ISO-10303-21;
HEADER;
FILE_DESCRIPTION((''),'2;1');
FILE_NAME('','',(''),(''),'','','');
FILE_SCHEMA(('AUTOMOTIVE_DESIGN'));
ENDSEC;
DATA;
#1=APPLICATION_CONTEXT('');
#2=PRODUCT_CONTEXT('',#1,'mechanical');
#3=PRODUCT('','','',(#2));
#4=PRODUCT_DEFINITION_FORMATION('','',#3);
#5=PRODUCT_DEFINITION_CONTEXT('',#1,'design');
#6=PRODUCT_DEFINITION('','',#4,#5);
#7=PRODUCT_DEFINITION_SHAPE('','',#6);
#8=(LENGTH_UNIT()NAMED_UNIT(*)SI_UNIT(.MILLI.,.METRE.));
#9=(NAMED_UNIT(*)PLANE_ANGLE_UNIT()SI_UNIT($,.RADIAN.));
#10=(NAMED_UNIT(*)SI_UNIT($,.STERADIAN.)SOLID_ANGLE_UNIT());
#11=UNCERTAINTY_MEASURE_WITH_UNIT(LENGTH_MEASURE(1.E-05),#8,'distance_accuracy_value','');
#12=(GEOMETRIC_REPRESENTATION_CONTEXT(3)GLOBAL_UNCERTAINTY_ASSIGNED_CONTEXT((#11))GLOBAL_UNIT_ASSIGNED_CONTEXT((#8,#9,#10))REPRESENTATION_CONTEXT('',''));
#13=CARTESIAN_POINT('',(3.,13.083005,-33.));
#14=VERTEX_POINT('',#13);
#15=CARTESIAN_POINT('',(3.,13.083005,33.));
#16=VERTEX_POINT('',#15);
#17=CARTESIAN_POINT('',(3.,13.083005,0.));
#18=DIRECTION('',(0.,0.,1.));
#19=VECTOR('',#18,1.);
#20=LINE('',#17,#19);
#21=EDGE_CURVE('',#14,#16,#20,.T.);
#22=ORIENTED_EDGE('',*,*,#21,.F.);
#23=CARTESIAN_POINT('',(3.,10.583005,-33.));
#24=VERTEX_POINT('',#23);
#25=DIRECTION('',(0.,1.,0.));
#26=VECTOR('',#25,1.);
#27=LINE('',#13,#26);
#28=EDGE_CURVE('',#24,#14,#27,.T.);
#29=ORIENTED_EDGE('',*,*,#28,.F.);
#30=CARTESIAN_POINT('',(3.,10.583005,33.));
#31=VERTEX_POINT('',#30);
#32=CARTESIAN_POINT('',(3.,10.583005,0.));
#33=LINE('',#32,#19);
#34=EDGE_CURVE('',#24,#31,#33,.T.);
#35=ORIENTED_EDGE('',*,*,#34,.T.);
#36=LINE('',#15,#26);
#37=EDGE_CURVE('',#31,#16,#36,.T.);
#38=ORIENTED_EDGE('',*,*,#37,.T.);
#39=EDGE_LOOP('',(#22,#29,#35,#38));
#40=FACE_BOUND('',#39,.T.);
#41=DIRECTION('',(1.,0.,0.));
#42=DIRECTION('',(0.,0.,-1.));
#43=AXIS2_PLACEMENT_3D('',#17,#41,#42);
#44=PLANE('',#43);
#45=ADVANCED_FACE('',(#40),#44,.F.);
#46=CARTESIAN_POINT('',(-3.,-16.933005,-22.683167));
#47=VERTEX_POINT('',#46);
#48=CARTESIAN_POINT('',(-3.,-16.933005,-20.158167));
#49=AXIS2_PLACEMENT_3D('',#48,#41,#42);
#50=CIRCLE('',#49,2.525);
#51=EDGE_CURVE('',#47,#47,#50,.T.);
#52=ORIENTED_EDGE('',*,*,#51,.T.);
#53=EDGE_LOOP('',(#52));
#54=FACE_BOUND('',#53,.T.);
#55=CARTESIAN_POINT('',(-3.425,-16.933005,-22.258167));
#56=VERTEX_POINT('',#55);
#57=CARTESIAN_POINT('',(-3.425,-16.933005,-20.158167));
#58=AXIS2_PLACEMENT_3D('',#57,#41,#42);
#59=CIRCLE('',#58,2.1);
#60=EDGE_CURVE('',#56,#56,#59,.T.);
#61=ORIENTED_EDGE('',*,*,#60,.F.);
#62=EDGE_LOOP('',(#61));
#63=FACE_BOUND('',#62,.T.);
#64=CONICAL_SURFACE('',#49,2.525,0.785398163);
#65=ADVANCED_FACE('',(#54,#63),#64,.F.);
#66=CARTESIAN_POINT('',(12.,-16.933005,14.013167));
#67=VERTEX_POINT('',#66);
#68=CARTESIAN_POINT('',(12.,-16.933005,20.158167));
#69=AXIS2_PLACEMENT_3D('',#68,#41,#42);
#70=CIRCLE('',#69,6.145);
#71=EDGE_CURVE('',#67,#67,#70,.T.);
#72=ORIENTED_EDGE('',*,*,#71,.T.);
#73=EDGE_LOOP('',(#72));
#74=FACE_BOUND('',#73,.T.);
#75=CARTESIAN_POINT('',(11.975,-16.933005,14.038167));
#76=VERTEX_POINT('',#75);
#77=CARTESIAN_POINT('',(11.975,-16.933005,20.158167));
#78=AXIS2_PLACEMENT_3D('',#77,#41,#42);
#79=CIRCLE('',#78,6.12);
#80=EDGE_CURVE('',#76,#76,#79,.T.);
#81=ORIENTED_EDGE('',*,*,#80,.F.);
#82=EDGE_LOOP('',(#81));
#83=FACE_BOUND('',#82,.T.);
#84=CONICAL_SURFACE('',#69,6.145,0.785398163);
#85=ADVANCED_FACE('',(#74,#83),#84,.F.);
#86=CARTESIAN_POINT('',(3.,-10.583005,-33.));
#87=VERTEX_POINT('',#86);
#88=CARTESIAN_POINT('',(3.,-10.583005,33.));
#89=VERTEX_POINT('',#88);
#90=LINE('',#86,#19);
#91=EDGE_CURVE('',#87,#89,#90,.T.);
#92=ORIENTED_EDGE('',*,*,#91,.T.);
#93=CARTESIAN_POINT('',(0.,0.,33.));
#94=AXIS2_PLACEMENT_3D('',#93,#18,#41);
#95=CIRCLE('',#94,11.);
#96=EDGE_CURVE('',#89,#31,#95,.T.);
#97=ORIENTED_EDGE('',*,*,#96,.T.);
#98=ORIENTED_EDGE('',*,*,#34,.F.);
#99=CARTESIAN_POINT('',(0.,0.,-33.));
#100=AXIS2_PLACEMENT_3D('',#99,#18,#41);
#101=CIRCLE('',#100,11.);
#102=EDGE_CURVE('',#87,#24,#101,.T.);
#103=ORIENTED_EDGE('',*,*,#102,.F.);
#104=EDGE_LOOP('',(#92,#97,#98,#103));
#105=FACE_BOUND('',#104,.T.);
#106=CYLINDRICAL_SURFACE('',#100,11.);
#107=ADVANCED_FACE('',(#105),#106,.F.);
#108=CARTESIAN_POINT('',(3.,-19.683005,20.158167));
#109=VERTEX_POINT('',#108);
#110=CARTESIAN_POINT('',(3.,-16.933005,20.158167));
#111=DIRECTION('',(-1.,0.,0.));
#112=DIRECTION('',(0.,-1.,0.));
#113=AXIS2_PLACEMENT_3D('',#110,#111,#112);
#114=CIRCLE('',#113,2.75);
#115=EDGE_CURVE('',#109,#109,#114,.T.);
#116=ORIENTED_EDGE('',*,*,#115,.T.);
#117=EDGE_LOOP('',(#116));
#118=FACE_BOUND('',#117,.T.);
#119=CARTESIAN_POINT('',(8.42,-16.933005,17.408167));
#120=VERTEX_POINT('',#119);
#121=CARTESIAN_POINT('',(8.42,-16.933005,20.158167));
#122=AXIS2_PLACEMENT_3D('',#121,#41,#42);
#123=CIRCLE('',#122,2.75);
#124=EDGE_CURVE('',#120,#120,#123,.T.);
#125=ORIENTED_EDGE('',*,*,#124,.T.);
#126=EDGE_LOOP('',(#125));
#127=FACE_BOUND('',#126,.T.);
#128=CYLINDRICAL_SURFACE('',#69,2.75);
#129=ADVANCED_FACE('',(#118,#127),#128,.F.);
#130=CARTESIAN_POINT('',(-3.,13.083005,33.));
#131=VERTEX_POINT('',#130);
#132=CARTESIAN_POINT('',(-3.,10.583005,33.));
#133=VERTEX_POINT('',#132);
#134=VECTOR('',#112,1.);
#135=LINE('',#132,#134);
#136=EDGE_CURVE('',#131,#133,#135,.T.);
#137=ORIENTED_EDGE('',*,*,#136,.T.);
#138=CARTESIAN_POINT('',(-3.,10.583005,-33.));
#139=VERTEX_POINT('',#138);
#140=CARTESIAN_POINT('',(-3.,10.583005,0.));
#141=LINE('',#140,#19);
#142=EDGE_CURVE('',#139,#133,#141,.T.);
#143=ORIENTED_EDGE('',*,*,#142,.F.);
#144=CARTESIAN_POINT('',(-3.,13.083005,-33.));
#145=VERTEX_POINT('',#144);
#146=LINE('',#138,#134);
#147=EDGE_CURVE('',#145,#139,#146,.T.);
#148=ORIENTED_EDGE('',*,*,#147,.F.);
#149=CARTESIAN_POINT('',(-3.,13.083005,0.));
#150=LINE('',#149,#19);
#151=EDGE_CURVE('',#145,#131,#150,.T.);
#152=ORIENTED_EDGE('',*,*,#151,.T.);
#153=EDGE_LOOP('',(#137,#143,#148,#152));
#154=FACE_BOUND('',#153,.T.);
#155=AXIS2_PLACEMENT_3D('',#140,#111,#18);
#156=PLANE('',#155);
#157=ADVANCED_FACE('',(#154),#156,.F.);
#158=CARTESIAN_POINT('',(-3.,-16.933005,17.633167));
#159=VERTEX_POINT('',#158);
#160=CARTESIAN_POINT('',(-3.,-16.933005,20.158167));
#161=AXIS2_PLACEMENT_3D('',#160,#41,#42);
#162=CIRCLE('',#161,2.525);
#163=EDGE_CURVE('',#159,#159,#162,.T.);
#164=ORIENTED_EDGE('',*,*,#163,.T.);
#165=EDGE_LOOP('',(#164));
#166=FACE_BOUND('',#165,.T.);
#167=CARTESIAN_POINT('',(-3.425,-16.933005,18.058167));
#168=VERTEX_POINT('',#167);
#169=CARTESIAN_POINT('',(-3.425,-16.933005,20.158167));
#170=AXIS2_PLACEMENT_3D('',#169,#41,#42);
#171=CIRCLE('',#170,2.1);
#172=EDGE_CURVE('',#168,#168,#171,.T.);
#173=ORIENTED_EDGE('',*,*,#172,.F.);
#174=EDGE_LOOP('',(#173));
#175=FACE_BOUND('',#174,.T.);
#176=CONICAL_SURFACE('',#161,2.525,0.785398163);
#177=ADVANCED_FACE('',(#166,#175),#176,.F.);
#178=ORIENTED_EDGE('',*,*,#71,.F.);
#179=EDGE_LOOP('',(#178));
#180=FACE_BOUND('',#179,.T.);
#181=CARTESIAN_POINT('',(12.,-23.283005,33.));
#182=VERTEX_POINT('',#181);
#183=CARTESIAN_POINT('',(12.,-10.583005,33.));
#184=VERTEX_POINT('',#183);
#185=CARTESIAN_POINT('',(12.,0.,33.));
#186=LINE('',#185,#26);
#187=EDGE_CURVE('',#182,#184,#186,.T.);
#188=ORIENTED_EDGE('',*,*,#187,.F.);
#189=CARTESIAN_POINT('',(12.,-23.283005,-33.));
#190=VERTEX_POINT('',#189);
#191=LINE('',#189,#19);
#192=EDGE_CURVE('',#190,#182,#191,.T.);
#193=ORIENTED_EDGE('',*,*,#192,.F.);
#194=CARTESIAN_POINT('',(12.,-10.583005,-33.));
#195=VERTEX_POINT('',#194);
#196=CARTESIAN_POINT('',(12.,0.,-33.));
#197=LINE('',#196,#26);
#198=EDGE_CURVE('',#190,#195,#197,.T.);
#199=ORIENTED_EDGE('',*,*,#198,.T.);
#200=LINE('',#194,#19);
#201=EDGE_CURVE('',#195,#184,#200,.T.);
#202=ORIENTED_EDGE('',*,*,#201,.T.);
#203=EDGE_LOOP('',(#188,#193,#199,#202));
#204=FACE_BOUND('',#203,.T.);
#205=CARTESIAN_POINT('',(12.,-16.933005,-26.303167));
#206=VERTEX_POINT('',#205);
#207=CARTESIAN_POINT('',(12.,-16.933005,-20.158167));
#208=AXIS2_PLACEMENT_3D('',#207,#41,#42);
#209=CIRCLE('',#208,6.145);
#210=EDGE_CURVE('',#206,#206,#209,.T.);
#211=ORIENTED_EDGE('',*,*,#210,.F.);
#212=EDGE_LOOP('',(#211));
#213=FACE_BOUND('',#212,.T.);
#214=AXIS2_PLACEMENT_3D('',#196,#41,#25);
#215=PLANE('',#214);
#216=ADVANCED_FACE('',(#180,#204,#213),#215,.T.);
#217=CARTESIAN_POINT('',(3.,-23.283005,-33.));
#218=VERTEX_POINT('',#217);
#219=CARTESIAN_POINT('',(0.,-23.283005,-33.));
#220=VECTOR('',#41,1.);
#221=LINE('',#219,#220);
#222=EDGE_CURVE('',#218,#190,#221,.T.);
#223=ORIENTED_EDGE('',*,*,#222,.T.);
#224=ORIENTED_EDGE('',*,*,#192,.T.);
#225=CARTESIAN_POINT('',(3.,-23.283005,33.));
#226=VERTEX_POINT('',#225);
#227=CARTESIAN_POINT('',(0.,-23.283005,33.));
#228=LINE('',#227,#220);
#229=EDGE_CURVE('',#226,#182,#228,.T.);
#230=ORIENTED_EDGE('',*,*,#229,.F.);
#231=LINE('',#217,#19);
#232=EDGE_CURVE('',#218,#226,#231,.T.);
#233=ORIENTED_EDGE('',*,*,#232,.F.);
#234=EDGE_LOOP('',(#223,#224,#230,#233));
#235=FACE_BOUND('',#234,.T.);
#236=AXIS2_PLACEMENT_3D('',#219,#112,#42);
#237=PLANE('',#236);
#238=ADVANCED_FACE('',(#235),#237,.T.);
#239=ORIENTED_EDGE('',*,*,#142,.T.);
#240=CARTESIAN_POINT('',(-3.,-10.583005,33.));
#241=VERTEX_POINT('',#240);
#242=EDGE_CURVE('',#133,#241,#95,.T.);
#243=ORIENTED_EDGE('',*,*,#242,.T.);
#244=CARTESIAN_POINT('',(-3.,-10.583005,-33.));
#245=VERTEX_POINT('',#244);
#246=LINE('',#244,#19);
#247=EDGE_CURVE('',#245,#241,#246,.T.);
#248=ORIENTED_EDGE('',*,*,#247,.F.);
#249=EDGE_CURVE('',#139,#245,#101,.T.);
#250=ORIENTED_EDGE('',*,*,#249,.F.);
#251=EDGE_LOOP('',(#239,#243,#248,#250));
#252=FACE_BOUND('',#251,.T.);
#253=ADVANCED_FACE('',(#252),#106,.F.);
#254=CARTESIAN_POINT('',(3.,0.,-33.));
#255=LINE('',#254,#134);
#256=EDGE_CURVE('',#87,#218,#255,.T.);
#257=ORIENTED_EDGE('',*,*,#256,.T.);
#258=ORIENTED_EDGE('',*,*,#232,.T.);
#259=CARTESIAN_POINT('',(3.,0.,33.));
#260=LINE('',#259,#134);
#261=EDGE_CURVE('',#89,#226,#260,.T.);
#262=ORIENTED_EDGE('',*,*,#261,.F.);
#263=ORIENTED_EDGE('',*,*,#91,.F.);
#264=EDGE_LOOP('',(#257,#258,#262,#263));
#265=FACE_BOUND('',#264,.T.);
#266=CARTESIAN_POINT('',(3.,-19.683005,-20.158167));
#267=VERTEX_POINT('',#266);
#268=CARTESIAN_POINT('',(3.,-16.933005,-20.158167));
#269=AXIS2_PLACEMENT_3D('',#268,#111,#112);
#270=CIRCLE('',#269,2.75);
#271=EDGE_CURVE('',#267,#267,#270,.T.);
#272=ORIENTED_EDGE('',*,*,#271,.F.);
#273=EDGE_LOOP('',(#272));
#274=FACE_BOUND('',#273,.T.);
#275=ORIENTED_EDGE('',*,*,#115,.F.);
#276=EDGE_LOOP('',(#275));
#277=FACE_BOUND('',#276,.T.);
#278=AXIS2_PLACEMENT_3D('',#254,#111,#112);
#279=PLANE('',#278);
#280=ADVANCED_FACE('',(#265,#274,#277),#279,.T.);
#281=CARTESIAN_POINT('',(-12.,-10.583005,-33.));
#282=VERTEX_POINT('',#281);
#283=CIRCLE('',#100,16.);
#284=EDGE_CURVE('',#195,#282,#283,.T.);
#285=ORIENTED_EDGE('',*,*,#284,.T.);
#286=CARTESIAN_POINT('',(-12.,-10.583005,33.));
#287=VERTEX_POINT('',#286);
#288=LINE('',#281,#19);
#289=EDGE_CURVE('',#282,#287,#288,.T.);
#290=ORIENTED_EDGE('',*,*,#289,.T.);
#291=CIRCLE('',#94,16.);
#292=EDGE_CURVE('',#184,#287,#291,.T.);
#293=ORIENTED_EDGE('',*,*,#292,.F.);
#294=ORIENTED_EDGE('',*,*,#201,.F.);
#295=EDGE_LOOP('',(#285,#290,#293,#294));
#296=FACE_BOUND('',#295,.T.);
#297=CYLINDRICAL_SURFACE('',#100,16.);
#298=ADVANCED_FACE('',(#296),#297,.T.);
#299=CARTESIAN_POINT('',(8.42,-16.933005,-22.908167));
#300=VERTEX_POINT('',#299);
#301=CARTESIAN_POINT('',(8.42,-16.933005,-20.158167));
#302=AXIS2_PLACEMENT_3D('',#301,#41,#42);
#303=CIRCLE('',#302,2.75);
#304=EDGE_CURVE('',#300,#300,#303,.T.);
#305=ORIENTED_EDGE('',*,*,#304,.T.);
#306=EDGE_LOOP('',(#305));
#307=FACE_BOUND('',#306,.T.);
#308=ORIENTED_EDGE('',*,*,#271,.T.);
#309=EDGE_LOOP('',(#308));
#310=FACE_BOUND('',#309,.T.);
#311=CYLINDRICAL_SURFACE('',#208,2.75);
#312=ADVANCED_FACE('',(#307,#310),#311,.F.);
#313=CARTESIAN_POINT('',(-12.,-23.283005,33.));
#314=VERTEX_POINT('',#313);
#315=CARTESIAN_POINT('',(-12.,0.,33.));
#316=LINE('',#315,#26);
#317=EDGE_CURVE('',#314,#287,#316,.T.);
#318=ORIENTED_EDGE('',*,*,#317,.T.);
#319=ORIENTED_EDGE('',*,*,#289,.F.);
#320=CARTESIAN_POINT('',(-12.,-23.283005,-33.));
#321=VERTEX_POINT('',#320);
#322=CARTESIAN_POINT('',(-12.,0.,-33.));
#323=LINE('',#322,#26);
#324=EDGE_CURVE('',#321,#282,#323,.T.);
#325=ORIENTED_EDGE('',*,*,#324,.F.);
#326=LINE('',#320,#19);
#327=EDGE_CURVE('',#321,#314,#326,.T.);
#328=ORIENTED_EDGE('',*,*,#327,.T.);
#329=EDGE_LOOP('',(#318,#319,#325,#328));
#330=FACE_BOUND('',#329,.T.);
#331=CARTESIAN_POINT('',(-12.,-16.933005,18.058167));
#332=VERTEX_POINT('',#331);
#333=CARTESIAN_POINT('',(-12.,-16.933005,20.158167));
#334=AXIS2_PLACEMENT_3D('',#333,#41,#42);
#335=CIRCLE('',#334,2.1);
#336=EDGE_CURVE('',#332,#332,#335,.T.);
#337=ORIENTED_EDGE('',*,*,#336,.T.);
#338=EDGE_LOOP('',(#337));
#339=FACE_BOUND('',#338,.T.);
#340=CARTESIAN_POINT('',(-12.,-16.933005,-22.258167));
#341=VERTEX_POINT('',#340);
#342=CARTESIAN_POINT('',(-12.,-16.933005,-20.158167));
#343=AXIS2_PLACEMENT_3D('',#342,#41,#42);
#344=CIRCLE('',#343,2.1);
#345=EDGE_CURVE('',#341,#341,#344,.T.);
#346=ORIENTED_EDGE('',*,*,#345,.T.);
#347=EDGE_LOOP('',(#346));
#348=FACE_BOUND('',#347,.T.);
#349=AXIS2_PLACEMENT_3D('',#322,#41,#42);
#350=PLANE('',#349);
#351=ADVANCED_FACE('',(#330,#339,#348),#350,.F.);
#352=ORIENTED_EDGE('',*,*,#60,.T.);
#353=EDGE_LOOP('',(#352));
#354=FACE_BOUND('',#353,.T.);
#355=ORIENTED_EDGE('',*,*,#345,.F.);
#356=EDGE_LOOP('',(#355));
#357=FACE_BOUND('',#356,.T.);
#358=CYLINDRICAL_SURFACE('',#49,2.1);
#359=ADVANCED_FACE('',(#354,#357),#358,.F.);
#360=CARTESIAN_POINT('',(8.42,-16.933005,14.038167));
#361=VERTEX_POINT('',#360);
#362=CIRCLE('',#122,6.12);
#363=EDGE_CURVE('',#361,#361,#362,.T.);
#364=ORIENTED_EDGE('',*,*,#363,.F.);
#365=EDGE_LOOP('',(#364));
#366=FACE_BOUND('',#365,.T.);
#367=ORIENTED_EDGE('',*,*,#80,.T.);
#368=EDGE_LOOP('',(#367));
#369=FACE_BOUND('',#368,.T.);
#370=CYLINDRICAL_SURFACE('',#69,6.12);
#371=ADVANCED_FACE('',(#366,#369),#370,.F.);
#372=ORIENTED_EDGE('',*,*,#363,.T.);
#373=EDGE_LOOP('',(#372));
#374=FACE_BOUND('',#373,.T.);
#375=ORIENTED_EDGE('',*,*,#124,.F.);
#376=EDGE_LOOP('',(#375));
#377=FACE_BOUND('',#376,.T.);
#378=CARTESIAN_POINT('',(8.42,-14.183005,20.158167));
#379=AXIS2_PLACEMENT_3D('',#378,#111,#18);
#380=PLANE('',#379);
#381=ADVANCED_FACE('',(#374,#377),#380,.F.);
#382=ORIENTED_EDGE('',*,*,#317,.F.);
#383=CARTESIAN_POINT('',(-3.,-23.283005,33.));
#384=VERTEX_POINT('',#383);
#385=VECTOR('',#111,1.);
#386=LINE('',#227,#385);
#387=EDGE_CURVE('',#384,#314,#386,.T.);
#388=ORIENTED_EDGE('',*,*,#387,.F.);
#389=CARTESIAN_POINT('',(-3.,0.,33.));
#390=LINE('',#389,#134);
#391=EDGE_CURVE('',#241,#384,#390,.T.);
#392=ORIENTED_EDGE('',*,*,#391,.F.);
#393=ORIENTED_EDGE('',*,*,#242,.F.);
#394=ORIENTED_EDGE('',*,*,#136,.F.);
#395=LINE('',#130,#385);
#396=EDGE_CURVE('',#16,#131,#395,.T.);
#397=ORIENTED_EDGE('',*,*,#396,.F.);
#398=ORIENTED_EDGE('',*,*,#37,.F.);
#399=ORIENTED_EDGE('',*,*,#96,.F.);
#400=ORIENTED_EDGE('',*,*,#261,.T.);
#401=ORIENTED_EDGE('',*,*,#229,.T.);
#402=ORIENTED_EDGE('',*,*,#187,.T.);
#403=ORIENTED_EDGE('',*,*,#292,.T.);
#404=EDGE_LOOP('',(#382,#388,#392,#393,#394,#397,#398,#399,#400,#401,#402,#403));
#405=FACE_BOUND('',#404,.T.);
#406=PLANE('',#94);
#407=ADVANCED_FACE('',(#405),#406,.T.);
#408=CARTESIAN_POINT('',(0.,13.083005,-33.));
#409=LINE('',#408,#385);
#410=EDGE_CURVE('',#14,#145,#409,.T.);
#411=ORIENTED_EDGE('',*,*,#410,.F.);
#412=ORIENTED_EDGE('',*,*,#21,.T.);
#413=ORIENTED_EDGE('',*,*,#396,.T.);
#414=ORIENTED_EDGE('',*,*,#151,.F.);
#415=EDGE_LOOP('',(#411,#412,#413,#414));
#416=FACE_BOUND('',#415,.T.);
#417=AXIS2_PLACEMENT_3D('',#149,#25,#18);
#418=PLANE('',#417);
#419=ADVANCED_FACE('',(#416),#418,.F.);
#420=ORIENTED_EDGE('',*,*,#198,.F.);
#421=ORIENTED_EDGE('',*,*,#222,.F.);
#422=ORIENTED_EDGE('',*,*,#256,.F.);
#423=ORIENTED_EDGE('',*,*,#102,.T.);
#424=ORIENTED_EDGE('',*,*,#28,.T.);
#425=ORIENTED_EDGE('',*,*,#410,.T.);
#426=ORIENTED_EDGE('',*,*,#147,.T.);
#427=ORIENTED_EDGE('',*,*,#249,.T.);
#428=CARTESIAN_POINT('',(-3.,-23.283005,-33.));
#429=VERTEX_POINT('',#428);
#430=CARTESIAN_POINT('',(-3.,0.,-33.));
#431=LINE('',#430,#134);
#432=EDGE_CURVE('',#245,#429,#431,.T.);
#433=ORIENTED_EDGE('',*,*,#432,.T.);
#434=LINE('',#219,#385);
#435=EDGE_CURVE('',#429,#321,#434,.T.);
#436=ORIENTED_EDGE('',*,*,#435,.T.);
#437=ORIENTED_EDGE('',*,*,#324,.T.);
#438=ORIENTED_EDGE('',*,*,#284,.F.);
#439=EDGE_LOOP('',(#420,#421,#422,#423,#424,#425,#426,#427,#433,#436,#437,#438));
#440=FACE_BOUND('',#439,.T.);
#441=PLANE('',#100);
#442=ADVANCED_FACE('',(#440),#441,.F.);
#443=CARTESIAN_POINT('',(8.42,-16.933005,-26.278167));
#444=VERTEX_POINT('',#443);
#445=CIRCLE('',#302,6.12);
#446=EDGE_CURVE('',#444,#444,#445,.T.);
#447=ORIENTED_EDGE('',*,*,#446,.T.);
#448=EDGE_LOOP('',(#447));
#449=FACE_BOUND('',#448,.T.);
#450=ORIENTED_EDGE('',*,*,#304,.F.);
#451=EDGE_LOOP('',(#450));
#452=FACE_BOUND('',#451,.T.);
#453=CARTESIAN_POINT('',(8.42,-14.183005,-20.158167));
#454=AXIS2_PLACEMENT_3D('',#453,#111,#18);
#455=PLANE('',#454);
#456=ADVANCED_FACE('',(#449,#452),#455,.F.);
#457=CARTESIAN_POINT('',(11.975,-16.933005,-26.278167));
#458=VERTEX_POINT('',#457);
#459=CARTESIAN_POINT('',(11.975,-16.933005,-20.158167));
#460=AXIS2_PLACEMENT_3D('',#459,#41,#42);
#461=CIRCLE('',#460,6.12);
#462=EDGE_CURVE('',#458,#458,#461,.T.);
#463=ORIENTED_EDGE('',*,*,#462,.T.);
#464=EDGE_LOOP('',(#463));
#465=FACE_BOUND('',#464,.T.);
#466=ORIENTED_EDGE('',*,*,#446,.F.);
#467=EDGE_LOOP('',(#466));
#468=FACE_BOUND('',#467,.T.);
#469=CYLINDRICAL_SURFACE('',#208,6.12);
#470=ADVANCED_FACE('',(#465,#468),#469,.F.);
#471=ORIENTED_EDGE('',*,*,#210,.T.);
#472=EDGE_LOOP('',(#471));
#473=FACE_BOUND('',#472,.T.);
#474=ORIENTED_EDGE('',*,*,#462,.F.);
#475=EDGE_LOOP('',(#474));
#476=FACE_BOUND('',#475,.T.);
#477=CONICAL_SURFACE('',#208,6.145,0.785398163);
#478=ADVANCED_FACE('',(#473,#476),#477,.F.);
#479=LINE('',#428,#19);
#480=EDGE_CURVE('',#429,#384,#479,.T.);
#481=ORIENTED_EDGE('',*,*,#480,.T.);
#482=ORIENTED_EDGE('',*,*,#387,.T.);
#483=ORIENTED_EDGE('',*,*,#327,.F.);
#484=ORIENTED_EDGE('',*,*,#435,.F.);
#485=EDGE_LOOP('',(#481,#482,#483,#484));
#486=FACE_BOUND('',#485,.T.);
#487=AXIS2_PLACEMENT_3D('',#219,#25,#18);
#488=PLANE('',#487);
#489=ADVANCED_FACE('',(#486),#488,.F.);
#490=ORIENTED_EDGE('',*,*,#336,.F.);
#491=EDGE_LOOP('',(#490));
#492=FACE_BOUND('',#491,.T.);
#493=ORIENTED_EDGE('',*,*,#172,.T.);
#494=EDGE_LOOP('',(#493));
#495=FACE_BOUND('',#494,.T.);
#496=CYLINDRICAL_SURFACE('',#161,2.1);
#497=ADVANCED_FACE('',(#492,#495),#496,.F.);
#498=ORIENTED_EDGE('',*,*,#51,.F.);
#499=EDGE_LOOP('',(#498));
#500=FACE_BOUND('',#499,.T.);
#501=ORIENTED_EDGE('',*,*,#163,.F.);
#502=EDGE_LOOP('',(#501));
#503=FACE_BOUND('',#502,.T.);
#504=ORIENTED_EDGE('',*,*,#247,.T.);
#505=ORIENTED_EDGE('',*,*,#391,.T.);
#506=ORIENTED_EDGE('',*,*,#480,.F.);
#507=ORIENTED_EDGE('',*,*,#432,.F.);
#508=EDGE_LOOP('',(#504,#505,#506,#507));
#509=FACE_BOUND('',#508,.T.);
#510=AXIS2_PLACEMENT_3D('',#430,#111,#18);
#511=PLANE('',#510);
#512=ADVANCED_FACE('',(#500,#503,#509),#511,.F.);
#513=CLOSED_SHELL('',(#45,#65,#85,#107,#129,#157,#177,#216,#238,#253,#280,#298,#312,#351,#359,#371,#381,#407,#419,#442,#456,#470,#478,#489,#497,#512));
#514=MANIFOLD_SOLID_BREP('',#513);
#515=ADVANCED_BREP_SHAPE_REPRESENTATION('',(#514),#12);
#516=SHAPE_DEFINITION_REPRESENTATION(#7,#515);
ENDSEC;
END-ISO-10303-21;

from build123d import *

# Parameters (mm, degrees)
BOSS_EXTRUDE1_DEPTH      = 33
BOSS_EXTRUDE1_DEPTH_BACK = 33
SKETCH1_R                = 16
SKETCH1_R_2              = 11
CUT_EXTRUDE1_DEPTH       = 33
BOSS_EXTRUDE2_DEPTH      = 66
CUT_EXTRUDE4_DEPTH       = 72.792049234


with BuildPart() as part:
    # Sketch1 → Boss-Extrude1 (new, two sides: drawn at the far end of the back side and taken through both)
    with BuildSketch(Plane.XY.offset(-BOSS_EXTRUDE1_DEPTH_BACK)):
        Circle(SKETCH1_R)
        Circle(SKETCH1_R_2, mode=Mode.SUBTRACT)
    extrude(amount=BOSS_EXTRUDE1_DEPTH + BOSS_EXTRUDE1_DEPTH_BACK)

    # Sketch2 → Cut-Extrude1 (cut)
    with BuildSketch(Plane.XY.offset(33)):
        Polygon((-3, 10.583005244), (-3, 13.083005244), (0, 13.083005244), (3, 13.083005244), (3, 10.583005244), align=None)
    cut_extrude1 = extrude(amount=-CUT_EXTRUDE1_DEPTH, mode=Mode.SUBTRACT)

    # Mirror2: Cut-Extrude1 across plane
    add(cut_extrude1.mirror(Plane(origin=(0, 0, 0), x_dir=(1, 0, 0), z_dir=(0, 0, -1))), mode=Mode.SUBTRACT)

    # Sketch3 → Boss-Extrude2 (add, through all)
    with BuildSketch(Plane.XY.offset(33)):
        with BuildLine():
            Line((-3, -23.283005244), (-3, -15.716233646))
            ThreePointArc((-3, -15.716233646), (-7.927011319, -13.898290958), (-12, -10.583005244))
            Line((-12, -10.583005244), (-12, -23.283005244))
            Line((-12, -23.283005244), (-3, -23.283005244))
        make_face()
        with BuildLine():
            ThreePointArc((12, -10.583005244), (7.927011319, -13.898290958), (3, -15.716233646))
            Line((3, -15.716233646), (3, -23.283005244))
            Line((3, -23.283005244), (12, -23.283005244))
            Line((12, -23.283005244), (12, -10.583005244))
        make_face()
    extrude(amount=-BOSS_EXTRUDE2_DEPTH)

    # Sketch4 → Cut-Extrude4 (cut, through all)
    with BuildSketch(Plane.XY.offset(33)):
        Polygon((-3, -10.583005244), (-3, -16.271539673), (3, -16.271539673), (3, -15.716233646), (3, -10.583005244), align=None)
    extrude(amount=-CUT_EXTRUDE4_DEPTH, mode=Mode.SUBTRACT)

    # Sketch10 → CBORE for M5 Hex Head Bolt3 (revolve, cut)
    with BuildSketch(Plane(origin=(12, -16.933005244, 20.158167141), x_dir=(0, 0, -1), z_dir=(0, 1, 0))):
        Polygon((0, 0), (0, 11.652366702), (2.75, 10), (2.75, 3.58), (6.12, 3.58), (6.12, 0.025), (6.145, 0), align=None)
    cbore_for_m5_hex_head_bolt3 = revolve(axis=Axis((18.35, -16.933005244, 20.158167141), (-1, 0, 0)), mode=Mode.SUBTRACT)

    # Mirror3: CBORE for M5 Hex Head Bolt3 across plane
    add(cbore_for_m5_hex_head_bolt3.mirror(Plane.XY), mode=Mode.SUBTRACT)

    # Sketch14 → M5x0.8 Tapped Hole1 (revolve, cut)
    with BuildSketch(Plane(origin=(-3, -16.933005244, 20.158167141), x_dir=(0, 0, -1), z_dir=(0, 1, 0))):
        Polygon((0, 0), (0, 13.6618073), (2.1, 12.4), (2.1, 0.425), (2.525, 0), align=None)
    m5x0_8_tapped_hole1 = revolve(axis=Axis((3.35, -16.933005244, 20.158167141), (-1, 0, 0)), mode=Mode.SUBTRACT)

    # Mirror4: M5x0.8 Tapped Hole1 across plane
    add(m5x0_8_tapped_hole1.mirror(Plane.XY), mode=Mode.SUBTRACT)


solid = part.part
